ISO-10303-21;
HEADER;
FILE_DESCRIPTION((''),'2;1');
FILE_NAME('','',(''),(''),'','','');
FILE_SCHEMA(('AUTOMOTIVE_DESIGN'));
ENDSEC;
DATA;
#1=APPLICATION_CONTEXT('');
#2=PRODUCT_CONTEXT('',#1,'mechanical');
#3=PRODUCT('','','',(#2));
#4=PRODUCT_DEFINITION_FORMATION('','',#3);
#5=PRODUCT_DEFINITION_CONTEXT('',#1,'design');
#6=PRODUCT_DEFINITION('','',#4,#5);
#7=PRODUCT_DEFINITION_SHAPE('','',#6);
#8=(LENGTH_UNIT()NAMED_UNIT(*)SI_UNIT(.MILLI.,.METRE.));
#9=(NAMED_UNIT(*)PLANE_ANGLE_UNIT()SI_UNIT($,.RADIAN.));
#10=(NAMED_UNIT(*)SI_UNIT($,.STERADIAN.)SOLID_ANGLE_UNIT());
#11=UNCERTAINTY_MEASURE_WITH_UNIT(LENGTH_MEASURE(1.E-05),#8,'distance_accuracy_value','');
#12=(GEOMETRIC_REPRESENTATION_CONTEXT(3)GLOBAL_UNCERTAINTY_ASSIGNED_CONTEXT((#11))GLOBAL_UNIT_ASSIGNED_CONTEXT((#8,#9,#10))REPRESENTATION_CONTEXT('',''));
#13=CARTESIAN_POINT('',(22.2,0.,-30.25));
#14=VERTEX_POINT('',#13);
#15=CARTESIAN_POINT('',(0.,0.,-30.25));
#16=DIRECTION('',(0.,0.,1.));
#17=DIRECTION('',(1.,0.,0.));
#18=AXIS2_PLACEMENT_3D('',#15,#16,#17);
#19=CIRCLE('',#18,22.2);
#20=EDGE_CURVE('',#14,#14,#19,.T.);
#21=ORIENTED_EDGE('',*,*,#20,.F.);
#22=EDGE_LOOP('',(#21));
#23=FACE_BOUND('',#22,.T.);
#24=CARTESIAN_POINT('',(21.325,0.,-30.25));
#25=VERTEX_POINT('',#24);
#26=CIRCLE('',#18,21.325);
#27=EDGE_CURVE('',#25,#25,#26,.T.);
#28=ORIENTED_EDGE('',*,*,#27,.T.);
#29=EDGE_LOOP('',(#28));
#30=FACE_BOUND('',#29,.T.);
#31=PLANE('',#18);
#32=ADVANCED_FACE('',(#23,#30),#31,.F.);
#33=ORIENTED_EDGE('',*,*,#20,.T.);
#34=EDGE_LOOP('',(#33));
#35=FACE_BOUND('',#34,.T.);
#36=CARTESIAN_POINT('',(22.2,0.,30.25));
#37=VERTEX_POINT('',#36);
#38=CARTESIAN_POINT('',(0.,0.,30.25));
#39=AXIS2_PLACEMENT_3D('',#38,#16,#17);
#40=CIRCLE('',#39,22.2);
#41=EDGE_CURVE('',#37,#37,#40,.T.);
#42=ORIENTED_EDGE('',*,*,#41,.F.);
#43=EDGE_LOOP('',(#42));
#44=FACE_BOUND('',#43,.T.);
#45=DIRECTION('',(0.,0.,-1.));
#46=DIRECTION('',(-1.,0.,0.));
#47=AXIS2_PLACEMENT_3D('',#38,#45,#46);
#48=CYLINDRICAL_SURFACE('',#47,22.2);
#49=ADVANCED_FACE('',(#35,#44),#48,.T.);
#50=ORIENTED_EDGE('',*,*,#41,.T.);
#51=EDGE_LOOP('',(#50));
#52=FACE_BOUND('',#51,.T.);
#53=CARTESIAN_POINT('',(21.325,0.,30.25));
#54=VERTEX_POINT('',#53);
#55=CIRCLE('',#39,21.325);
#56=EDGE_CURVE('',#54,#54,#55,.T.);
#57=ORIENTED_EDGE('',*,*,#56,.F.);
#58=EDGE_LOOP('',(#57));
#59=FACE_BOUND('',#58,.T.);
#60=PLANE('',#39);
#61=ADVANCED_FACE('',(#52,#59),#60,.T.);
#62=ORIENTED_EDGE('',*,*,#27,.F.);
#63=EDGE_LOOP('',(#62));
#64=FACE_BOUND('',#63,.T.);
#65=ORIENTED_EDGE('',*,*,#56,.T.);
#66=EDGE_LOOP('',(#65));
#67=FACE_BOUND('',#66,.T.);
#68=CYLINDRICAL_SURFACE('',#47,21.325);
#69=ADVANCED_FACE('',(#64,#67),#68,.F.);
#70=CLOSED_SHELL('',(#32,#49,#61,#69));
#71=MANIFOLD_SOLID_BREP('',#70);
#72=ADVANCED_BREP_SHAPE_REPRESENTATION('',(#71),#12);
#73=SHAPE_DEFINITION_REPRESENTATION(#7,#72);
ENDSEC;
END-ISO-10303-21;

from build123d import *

# Parameters (mm, degrees)
SKETCH1_R      = 22.2
SKETCH1_R_2    = 21.325
BASEPIPE_DEPTH = 30.25


with BuildPart() as part:
    # Sketch1 → BasePipe (new, symmetric)
    with BuildSketch(Plane.XY):
        Circle(SKETCH1_R)
        Circle(SKETCH1_R_2, mode=Mode.SUBTRACT)
    extrude(amount=BASEPIPE_DEPTH, both=True)


solid = part.part
